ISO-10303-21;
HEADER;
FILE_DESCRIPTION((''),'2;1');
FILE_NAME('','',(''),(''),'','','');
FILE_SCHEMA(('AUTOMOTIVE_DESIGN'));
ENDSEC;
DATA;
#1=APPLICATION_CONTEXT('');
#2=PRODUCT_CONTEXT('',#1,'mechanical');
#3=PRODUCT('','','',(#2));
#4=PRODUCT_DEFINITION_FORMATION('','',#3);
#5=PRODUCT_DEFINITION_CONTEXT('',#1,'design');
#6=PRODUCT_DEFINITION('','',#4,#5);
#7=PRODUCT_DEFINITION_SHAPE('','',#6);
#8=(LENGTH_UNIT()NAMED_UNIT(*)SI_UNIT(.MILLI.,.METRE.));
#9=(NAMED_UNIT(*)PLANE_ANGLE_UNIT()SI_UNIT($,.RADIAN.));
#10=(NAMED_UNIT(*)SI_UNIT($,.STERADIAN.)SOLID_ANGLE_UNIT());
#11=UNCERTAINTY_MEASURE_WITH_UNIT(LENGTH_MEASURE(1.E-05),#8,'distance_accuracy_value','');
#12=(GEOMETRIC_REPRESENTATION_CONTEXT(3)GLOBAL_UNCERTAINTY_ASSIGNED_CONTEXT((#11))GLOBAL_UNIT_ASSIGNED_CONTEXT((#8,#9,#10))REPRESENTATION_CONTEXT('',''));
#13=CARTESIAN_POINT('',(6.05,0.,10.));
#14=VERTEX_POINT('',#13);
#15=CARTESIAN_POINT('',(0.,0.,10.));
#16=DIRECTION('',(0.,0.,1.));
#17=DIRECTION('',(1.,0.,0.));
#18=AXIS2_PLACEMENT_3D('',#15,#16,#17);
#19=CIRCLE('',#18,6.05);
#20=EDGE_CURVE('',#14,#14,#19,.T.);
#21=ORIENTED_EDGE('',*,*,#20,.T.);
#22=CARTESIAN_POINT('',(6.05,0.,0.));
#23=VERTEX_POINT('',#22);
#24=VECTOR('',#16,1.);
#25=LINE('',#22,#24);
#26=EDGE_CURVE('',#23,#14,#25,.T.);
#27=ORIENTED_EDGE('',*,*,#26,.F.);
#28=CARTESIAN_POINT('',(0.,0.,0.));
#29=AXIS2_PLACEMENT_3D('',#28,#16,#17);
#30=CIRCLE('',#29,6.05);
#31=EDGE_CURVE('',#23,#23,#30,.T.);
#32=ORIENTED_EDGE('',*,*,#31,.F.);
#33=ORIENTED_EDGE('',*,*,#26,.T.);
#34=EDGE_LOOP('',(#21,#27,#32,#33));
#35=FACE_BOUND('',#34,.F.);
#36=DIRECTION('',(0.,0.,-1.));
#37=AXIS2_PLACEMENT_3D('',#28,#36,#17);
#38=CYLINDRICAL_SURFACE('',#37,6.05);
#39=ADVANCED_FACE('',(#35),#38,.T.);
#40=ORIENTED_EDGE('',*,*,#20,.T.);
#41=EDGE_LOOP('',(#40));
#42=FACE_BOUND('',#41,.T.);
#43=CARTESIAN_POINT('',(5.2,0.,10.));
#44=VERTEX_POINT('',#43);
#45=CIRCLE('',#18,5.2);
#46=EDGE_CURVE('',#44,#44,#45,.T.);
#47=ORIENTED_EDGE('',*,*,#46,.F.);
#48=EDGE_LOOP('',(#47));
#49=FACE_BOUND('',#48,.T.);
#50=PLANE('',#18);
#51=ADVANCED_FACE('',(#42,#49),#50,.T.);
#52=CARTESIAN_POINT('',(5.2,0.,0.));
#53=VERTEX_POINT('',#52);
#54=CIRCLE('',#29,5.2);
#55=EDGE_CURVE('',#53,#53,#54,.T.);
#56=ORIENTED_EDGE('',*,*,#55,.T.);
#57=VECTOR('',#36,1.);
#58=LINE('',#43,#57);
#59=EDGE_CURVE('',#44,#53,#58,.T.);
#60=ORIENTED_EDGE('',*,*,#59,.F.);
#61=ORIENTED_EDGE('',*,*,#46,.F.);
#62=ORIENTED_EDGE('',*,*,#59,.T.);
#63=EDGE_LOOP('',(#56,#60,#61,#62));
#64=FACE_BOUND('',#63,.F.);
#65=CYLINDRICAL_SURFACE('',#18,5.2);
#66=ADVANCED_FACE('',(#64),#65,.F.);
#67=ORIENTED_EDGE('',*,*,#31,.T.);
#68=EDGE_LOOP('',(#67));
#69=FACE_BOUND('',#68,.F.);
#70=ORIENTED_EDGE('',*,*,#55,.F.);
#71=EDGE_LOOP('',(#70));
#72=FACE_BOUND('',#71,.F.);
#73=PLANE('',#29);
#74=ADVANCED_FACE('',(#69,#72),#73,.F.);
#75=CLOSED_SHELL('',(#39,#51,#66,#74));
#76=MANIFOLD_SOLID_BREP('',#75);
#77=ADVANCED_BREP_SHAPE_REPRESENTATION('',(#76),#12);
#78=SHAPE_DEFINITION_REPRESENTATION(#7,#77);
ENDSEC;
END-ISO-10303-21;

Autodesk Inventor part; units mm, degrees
ref_plane "YZ Plane" through (0, 0, 0) normal (1, 0, 0) x (0, 1, 0)
ref_plane "XZ Plane" through (0, 0, 0) normal (0, 1, 0) x (-1, 0, 0)
ref_plane "XY Plane" through (0, 0, 0) normal (0, 0, 1) x (1, 0, 0)
sketch "Skizze1" plane through (0, 0, 0) normal (0, 0, 1) x (1, 0, 0)
  circle A0 centre (0, 0) radius 6.05
  dimension "d0" = 12.1
extrude "Extrusion1" add sketch "Skizze1" along normal blind 10
sketch "Skizze2" plane through (0, 0, 10) normal (0, 0, 1) x (1, 0, 0)
  circle A0 centre (0, 0) radius 5.2
  dimension "d3" = 10.4
extrude "Extrusion2" cut sketch "Skizze2" against normal through all
properties part number "Lenkkappe"
